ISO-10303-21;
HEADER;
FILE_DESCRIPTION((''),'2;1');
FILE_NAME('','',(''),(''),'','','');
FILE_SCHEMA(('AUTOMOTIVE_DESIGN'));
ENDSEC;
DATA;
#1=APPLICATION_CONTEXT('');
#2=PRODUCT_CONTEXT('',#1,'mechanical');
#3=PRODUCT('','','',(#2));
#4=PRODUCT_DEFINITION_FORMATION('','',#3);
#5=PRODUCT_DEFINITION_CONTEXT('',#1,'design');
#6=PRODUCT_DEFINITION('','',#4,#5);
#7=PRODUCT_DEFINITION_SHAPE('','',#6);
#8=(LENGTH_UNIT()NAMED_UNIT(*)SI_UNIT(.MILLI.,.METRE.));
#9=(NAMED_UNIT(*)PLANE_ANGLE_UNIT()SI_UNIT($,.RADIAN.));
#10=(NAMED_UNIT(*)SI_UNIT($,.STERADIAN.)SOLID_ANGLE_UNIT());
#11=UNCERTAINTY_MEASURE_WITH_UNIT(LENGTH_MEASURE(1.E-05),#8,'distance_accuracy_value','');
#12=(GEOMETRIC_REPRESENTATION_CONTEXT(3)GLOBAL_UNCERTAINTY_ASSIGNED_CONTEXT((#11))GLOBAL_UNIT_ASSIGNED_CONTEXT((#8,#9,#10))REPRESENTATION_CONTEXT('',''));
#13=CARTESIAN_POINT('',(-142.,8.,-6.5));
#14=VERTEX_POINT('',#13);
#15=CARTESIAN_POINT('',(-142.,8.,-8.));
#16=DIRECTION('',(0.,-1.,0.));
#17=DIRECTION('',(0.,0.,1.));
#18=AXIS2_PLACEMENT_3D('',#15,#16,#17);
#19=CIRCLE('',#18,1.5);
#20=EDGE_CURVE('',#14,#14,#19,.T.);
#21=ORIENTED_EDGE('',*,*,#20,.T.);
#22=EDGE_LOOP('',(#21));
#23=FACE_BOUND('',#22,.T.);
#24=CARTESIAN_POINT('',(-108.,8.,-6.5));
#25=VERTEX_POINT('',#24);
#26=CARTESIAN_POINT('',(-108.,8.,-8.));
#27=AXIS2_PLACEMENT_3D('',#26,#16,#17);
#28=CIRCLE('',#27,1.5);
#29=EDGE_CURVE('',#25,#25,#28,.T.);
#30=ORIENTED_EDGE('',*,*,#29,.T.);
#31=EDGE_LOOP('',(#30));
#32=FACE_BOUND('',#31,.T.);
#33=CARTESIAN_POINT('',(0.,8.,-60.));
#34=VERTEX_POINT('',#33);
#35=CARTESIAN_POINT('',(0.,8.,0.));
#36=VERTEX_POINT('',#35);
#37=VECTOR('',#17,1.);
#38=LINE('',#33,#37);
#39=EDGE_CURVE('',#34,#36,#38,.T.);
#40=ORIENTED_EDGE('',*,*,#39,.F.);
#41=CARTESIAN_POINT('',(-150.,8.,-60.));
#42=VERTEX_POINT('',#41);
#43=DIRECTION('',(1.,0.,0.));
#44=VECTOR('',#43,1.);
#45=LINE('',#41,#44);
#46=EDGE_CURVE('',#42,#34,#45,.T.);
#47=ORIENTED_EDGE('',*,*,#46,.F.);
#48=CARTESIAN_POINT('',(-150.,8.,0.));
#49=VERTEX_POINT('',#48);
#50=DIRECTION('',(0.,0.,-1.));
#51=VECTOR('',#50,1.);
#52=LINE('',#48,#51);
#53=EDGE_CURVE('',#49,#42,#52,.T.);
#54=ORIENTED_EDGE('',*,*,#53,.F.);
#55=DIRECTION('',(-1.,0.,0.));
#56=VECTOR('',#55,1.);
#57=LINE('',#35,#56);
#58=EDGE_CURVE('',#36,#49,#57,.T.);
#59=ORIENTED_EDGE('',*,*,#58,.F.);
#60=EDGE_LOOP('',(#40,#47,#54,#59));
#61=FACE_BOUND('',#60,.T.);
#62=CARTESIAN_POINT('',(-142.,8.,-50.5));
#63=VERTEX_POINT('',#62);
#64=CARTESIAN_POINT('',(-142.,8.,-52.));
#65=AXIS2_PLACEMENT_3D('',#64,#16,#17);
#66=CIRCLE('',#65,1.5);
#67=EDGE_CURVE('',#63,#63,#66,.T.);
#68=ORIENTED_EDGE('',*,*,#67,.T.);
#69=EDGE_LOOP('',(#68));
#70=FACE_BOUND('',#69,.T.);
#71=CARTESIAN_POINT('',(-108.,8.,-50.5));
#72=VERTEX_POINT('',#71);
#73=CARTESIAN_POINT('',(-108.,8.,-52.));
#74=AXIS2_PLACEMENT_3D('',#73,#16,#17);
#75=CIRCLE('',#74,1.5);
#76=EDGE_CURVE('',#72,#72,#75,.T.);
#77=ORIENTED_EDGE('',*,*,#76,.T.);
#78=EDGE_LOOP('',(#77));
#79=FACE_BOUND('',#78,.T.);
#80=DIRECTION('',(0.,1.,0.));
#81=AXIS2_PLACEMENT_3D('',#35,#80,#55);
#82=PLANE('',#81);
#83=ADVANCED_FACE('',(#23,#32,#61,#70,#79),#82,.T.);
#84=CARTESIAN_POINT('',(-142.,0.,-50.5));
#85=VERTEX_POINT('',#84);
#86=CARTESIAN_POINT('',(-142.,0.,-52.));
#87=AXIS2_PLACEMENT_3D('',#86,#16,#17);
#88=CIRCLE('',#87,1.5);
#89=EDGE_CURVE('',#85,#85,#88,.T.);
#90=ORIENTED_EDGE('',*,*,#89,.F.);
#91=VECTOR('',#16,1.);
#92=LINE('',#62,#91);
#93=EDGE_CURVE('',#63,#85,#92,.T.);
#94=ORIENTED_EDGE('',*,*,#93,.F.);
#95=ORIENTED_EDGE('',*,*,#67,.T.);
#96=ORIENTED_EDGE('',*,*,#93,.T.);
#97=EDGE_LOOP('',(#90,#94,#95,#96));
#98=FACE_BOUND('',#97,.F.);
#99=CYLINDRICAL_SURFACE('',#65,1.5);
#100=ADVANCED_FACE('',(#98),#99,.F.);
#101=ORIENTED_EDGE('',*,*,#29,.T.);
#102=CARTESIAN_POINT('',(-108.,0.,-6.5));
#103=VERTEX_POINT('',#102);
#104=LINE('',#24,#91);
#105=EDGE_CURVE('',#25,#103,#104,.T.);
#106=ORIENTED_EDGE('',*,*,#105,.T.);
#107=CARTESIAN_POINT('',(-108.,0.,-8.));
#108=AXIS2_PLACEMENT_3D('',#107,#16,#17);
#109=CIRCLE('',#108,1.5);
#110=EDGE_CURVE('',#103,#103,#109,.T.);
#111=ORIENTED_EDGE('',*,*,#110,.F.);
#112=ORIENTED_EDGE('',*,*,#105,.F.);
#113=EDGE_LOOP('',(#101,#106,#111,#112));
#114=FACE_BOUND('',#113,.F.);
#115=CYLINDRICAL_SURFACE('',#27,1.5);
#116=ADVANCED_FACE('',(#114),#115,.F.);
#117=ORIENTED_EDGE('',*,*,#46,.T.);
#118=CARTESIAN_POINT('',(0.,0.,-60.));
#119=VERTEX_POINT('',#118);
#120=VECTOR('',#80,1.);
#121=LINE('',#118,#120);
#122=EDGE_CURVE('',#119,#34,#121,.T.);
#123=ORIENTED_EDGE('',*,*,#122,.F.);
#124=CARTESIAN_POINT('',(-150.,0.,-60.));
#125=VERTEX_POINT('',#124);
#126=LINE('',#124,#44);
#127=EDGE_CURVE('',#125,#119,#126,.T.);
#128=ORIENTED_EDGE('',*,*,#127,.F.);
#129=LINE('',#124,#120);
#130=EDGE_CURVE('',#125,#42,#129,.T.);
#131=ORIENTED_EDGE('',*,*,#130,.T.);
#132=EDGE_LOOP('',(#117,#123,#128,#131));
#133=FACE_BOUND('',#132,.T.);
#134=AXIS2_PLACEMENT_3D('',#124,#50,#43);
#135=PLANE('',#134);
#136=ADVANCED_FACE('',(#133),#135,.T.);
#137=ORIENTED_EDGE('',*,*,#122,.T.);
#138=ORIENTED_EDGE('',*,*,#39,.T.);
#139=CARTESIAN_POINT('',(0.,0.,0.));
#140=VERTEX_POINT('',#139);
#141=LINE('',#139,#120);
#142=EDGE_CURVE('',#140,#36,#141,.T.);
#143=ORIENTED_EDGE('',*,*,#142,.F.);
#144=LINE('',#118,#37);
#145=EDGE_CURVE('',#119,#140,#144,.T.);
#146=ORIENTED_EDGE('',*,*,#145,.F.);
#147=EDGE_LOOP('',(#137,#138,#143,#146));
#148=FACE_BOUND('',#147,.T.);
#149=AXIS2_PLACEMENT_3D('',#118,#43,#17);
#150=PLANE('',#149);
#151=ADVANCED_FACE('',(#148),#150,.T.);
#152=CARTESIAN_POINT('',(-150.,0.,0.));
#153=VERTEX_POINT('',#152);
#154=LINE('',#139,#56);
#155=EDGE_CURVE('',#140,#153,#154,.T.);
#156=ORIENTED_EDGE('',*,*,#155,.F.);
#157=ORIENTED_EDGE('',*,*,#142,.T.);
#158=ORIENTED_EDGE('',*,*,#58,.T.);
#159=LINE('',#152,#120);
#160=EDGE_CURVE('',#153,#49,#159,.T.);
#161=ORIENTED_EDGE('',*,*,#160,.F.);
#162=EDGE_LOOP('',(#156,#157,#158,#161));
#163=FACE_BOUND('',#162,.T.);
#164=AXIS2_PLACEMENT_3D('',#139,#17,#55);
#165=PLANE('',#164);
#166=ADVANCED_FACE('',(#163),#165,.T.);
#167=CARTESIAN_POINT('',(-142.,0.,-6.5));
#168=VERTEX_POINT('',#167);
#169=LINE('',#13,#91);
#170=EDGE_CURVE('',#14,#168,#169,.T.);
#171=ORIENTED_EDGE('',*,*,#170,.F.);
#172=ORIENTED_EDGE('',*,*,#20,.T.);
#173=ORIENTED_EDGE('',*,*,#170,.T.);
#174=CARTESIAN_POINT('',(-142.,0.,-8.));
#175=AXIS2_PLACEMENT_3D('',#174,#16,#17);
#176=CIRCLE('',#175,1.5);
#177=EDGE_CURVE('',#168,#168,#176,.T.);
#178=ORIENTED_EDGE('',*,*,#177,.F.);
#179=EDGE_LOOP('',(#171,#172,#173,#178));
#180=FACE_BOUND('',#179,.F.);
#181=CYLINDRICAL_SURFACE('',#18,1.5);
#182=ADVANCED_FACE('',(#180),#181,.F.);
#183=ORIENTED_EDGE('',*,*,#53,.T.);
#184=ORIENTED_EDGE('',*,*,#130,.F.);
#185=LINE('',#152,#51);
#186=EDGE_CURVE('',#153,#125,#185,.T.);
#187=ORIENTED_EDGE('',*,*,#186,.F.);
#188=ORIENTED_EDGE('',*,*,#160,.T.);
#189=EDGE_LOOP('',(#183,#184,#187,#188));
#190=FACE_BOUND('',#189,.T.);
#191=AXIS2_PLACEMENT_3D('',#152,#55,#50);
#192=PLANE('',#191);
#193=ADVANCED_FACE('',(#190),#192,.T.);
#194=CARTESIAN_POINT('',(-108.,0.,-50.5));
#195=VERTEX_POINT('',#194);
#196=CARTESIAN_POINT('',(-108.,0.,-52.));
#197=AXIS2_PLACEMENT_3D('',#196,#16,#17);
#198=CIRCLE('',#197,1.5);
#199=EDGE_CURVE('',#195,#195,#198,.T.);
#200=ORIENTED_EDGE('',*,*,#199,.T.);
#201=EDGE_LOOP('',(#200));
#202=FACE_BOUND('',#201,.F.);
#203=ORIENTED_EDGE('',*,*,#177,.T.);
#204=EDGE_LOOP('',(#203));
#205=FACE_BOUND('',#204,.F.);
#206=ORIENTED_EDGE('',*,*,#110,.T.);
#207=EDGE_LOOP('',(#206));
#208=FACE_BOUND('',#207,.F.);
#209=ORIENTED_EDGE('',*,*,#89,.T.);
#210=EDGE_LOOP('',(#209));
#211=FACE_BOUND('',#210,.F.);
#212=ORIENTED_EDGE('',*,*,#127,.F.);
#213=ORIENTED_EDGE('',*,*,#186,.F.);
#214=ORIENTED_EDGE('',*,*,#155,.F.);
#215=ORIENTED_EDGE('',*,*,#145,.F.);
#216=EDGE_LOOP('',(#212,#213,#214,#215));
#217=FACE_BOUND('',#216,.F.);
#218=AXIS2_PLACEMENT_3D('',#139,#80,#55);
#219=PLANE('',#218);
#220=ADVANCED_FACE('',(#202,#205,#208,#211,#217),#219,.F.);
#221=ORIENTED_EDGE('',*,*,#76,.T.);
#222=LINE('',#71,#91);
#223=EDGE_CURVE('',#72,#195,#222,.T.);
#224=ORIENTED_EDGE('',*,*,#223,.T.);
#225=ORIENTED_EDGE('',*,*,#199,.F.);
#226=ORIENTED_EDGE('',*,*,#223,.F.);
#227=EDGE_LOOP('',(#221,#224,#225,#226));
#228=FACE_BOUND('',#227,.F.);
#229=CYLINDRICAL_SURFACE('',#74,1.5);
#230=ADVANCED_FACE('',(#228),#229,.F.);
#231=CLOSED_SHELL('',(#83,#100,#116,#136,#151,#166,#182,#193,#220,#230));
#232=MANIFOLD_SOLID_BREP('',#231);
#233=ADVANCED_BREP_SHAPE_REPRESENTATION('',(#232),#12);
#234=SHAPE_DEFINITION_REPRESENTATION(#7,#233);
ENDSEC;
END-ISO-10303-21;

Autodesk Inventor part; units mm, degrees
ref_plane "YZ Plane" through (0, 0, 0) normal (1, 0, 0) x (0, 1, 0)
ref_plane "XZ Plane" through (0, 0, 0) normal (0, 1, 0) x (-1, 0, 0)
ref_plane "XY Plane" through (0, 0, 0) normal (0, 0, 1) x (1, 0, 0)
sketch "Sketch2" plane through (0, 0, 0) normal (0, 1, 0) x (-1, 0, 0)
  line L0 (0, 0) -> (150, 0)
  line L1 (150, 0) -> (150, -60)
  line L2 (150, -60) -> (0, -60)
  line L3 (0, -60) -> (0, 0)
  dimension "d0" = 150
  dimension "d1" = 60
extrude "Extrusion1" add sketch "Sketch2" along normal blind 8
sketch "Sketch3" plane through (0, 8, 0) normal (0, 1, 0) x (1, 0, 0)
  line L0 (-105, 55) -> (-105, 5)
  line L1 (-110, 17.25) -> (-110, 25.75)
  line L2 (-110, 25.75) -> (-111, 25.75)
  line L3 (-111, 25.75) -> (-111, 17.25)
  line L4 (-111, 17.25) -> (-110, 17.25)
  line L5 (-111, 34.25) -> (-110, 34.25)
  line L6 (-110, 34.25) -> (-110, 42.75)
  line L7 (-110, 42.75) -> (-111, 42.75)
  line L8 (-111, 42.75) -> (-111, 34.25)
  line L9 (-105, 55) -> (-145, 55)
  line L10 (-145, 5) -> (-105, 5)
  line L11 (-125.0415, 30) -> (-130.864, 30) construction
  line L12 (-145, 5) -> (-145, 55)
  circle A0 centre (-108, 52) radius 1.5
  circle A1 centre (-142, 52) radius 1.5
  circle A2 centre (-108, 8) radius 1.5
  circle A3 centre (-142, 8) radius 1.5
  line L13 (-150, 60) -> (-150, 0) projected
  line L14 (0, 60) -> (-150, 60) projected
  point P0 (0, 0)
  point P1 (-109.5, 47)
  point P2 (-109.5, 30)
  point P3 (-109.5, 13)
  dimension "d34" = 8.5
  dimension "d35" = 1
  dimension "d36" = 5
  dimension "d37" = 17
  dimension "d38" = 17
  dimension "d39" = 4.25
  dimension "d40" = 4.25
  dimension "d41" = 4.5
  dimension "d42" = 40
  dimension "d43" = 50
  dimension "d44" = 3
  dimension "d45" = 3
  dimension "d46" = 3
  dimension "d47" = 3
  dimension "d48" = 3
  dimension "d49" = 5
  dimension "d50" = 5
hole "Hole1" at (-108, 8, -8) at (-108, 8, -52) at (-142, 8, -8) at (-142, 8, -52) direction (0, -1, 0) diameter 3 end through all
properties part number "Spirulina_base"
